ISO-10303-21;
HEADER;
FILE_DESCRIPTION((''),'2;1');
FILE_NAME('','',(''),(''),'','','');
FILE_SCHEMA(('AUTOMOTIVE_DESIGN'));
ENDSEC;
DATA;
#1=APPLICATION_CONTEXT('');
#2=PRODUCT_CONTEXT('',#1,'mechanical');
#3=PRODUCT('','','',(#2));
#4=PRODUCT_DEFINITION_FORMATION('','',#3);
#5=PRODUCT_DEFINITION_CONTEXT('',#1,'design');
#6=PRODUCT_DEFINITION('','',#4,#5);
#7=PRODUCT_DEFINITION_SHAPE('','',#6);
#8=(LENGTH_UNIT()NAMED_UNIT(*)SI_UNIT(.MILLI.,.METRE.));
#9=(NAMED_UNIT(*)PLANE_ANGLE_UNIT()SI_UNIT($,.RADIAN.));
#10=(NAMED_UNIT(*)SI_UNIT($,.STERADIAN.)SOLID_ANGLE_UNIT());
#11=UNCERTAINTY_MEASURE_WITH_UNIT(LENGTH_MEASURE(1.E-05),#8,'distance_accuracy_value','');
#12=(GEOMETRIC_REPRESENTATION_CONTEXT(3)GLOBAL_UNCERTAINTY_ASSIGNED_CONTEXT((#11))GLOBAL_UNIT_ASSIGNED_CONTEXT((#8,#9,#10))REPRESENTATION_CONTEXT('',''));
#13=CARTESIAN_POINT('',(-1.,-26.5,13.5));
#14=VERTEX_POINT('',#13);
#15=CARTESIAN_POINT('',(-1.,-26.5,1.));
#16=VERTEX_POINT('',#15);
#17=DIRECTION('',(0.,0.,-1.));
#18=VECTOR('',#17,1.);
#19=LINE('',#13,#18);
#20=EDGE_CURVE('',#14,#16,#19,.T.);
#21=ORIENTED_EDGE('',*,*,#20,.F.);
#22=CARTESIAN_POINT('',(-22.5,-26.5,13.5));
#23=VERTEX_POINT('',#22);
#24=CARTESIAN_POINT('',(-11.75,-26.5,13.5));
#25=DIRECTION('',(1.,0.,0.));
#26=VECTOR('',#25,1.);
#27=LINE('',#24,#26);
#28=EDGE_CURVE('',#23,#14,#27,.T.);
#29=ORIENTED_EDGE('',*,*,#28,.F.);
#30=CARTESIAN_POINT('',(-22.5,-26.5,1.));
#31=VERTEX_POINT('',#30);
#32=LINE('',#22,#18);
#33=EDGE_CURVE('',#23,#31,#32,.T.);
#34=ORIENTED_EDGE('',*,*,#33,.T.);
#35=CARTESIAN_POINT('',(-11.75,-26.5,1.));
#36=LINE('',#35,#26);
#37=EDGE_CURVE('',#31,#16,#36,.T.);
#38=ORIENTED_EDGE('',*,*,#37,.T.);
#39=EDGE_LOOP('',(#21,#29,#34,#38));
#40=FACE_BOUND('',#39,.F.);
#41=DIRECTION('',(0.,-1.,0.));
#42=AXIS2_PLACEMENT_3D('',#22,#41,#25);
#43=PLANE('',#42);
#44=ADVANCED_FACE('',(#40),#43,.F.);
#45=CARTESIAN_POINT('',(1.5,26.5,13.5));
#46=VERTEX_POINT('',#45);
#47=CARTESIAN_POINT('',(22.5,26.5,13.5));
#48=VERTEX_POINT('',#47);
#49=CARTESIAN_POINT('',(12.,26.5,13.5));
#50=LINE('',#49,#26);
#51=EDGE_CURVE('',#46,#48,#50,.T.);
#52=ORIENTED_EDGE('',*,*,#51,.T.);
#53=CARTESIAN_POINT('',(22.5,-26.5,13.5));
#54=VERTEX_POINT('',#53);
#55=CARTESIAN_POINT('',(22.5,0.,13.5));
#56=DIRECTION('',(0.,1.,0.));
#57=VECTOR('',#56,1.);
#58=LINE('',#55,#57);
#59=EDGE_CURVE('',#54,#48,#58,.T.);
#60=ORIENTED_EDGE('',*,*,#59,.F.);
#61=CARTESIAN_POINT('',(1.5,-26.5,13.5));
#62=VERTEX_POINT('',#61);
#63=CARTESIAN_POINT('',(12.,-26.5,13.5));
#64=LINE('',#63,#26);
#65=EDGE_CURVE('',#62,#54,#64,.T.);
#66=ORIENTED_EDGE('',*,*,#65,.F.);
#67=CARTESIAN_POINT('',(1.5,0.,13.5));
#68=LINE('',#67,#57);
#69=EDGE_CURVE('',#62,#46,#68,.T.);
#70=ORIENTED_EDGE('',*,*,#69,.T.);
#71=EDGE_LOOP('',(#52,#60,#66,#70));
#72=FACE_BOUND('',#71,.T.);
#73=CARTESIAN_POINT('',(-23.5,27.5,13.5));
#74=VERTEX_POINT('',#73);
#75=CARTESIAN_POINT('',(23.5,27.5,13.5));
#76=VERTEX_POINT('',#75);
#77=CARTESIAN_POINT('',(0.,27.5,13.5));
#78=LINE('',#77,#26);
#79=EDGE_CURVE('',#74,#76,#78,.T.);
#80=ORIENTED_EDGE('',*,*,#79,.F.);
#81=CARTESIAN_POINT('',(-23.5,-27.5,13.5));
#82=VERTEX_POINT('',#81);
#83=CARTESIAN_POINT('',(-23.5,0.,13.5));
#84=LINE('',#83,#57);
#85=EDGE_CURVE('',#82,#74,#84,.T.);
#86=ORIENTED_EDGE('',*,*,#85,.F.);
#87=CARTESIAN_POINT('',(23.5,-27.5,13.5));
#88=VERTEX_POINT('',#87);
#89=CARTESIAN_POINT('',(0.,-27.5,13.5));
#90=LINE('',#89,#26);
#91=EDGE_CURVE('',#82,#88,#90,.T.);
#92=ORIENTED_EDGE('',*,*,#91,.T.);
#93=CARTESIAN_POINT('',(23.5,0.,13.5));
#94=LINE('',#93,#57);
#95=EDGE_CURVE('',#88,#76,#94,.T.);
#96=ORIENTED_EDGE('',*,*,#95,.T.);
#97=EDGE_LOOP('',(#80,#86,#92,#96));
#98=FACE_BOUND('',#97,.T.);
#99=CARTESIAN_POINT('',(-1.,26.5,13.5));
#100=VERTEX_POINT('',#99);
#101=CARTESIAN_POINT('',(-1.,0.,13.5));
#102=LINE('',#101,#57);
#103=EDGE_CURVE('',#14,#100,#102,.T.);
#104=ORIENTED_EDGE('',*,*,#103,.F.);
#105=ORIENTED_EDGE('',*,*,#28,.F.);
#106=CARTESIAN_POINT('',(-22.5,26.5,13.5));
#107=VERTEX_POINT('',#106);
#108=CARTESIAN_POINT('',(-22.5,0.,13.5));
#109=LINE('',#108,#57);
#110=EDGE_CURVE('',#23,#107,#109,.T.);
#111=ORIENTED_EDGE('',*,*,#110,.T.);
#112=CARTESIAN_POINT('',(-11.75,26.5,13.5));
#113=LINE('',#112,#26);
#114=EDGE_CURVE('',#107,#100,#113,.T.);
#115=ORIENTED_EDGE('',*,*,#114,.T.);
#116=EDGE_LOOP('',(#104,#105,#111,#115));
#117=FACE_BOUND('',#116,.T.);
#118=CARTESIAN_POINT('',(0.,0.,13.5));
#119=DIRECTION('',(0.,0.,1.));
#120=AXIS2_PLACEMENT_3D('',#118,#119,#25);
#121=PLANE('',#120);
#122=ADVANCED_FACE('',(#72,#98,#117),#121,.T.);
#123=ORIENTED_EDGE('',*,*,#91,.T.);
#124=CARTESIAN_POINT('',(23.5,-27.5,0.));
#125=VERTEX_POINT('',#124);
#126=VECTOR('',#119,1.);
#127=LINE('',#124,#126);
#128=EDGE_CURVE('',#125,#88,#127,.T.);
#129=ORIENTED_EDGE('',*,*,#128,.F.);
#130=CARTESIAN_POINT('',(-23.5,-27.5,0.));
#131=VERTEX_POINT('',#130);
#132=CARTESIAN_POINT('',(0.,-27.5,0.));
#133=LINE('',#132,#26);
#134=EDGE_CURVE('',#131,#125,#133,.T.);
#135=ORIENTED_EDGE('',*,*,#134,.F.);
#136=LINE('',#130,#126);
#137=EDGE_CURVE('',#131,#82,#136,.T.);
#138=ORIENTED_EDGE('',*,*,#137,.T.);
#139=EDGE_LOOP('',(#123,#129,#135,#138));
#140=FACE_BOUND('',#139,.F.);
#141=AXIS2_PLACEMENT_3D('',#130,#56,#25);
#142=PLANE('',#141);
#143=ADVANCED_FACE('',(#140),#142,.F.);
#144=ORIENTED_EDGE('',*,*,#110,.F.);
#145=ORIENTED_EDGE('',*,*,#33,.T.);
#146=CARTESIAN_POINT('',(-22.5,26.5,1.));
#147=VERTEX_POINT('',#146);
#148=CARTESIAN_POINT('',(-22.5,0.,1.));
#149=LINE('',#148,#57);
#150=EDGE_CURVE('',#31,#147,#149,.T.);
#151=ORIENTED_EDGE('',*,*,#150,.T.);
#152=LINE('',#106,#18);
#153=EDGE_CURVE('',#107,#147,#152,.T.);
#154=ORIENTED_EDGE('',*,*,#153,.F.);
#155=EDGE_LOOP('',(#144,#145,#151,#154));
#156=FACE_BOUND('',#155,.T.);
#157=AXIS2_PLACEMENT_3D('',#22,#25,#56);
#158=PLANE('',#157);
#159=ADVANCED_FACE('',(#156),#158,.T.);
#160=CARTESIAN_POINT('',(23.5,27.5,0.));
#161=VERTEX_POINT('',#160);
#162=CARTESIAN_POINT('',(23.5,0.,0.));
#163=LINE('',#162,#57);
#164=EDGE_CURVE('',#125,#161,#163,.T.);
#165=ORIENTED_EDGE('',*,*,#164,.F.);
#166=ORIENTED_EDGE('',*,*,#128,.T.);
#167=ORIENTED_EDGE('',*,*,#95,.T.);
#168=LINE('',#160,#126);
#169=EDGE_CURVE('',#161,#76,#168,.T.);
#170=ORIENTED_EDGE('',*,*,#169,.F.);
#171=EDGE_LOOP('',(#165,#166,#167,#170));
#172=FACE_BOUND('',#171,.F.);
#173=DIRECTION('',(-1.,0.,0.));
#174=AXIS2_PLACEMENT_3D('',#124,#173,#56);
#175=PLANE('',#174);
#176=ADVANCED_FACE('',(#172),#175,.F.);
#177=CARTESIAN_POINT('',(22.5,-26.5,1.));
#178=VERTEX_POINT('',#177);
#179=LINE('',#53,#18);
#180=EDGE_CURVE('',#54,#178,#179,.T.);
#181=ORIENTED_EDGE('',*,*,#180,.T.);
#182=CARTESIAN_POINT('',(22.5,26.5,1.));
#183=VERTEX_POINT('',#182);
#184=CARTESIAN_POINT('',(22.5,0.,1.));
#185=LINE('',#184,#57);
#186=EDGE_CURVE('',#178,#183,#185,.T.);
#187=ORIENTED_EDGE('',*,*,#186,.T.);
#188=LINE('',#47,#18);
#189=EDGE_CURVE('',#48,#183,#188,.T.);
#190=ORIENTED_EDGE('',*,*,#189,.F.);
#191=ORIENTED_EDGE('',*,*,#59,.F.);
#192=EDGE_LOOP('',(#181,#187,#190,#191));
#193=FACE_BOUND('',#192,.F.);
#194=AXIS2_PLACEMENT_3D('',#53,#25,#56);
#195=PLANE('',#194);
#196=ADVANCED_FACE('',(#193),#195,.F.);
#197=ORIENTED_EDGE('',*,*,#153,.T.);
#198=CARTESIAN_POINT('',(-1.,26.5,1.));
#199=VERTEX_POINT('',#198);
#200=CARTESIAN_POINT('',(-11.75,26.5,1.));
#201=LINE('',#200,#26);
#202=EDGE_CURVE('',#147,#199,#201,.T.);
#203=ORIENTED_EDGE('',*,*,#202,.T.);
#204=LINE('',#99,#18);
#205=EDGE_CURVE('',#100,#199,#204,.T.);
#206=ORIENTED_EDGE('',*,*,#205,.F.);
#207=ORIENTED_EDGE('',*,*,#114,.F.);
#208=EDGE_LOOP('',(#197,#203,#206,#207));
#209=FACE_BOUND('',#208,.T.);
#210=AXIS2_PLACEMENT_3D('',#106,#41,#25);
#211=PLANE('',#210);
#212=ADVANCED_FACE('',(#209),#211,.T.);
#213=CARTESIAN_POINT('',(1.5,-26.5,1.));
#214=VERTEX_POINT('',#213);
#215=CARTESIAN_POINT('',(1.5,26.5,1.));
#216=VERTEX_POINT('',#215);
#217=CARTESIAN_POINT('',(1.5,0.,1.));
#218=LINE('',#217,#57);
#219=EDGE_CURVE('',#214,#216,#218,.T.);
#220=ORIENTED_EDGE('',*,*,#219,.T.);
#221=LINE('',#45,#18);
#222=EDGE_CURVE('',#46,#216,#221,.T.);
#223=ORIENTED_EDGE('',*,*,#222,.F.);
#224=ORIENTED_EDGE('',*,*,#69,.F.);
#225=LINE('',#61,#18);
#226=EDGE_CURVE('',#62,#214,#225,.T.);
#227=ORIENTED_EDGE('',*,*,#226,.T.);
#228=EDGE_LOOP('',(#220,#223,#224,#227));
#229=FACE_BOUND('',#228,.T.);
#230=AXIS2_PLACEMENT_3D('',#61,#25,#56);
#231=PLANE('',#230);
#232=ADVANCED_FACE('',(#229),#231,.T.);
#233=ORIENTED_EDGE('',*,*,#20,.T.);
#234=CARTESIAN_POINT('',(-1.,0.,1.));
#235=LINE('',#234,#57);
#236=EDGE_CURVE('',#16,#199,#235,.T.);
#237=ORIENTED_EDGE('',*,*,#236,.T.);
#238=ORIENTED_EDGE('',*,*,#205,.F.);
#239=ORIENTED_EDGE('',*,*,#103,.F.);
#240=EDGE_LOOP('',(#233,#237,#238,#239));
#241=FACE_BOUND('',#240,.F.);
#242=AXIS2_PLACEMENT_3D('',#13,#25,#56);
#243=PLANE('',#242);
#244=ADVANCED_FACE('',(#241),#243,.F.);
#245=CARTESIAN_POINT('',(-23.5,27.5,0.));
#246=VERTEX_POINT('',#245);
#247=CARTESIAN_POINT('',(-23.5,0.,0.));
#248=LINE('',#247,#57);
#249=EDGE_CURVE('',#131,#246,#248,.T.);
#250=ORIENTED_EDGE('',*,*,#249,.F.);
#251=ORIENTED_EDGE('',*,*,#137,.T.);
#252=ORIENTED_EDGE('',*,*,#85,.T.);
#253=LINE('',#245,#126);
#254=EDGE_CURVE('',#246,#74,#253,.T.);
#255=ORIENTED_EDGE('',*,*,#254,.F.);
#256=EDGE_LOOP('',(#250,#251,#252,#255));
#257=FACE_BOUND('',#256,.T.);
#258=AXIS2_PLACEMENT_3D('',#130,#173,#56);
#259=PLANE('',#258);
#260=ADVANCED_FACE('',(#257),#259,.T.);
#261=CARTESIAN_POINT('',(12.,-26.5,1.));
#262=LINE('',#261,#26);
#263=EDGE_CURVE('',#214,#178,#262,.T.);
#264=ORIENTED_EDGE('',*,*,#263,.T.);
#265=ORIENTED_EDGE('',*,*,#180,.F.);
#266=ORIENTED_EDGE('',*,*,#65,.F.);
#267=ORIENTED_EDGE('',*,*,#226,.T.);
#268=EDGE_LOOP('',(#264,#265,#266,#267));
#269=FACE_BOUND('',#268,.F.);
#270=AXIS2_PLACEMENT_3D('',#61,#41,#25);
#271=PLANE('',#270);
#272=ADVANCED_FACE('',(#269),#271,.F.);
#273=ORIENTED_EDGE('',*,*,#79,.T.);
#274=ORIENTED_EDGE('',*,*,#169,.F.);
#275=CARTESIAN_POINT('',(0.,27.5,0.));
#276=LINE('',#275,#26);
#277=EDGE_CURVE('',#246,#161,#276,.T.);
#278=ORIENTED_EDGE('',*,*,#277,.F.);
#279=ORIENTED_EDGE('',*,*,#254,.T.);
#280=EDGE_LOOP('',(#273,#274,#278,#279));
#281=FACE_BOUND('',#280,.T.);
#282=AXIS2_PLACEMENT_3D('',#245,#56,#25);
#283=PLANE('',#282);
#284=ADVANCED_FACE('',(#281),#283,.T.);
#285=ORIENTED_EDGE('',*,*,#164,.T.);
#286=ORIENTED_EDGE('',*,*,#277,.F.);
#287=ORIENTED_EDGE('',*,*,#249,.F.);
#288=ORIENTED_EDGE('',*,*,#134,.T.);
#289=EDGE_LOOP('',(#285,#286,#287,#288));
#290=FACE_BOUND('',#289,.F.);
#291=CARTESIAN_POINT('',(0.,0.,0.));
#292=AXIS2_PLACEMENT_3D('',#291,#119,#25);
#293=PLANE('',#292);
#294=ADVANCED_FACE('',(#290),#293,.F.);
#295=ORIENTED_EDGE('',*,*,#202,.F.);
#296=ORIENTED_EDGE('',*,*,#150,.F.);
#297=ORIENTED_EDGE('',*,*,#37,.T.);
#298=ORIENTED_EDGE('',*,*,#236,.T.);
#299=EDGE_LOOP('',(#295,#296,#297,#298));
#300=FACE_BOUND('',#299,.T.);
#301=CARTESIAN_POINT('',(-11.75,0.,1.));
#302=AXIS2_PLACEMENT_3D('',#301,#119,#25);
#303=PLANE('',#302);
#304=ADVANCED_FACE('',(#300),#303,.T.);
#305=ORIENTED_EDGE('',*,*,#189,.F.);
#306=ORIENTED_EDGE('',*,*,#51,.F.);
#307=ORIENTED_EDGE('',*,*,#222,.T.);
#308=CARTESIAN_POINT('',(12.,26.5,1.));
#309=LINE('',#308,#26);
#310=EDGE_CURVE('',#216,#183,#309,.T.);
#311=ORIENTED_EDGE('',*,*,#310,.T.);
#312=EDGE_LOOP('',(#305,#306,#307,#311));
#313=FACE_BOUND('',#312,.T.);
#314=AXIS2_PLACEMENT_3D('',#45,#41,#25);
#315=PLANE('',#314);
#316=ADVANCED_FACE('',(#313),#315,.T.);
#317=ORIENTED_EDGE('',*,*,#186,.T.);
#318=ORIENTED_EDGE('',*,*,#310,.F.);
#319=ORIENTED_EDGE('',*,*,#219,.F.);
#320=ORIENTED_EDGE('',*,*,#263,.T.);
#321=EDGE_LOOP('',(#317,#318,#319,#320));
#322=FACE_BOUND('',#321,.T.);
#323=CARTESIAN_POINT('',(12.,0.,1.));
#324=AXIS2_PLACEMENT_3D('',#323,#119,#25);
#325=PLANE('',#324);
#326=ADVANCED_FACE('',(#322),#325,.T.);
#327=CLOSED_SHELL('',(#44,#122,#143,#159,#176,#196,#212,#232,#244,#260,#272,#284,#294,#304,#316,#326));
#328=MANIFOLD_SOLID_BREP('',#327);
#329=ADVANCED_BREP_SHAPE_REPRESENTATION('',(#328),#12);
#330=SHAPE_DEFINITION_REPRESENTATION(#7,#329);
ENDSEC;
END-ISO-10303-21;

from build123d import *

# Parameters (mm, degrees)
SKETCH_W      = 47
SKETCH_H      = 55
PAD_DEPTH     = 13.5
SKETCH001_W   = 21.5
SKETCH001_H   = 53
SKETCH001_W_2 = 21
POCKET_DEPTH  = 12.5


with BuildPart() as part:
    # Sketch → Pad (new body)
    with BuildSketch(Plane.XY):
        Rectangle(SKETCH_W, SKETCH_H)
    extrude(amount=PAD_DEPTH)

    # Sketch001 (on Face6 of Pad) → Pocket (cut)
    with BuildSketch(Plane.XY.offset(13.5)):
        with Locations((-11.75, 0)):
            Rectangle(SKETCH001_W, SKETCH001_H)
        with Locations((12, 0)):
            Rectangle(SKETCH001_W_2, SKETCH001_H)
    extrude(amount=-POCKET_DEPTH, mode=Mode.SUBTRACT)


solid = part.part
